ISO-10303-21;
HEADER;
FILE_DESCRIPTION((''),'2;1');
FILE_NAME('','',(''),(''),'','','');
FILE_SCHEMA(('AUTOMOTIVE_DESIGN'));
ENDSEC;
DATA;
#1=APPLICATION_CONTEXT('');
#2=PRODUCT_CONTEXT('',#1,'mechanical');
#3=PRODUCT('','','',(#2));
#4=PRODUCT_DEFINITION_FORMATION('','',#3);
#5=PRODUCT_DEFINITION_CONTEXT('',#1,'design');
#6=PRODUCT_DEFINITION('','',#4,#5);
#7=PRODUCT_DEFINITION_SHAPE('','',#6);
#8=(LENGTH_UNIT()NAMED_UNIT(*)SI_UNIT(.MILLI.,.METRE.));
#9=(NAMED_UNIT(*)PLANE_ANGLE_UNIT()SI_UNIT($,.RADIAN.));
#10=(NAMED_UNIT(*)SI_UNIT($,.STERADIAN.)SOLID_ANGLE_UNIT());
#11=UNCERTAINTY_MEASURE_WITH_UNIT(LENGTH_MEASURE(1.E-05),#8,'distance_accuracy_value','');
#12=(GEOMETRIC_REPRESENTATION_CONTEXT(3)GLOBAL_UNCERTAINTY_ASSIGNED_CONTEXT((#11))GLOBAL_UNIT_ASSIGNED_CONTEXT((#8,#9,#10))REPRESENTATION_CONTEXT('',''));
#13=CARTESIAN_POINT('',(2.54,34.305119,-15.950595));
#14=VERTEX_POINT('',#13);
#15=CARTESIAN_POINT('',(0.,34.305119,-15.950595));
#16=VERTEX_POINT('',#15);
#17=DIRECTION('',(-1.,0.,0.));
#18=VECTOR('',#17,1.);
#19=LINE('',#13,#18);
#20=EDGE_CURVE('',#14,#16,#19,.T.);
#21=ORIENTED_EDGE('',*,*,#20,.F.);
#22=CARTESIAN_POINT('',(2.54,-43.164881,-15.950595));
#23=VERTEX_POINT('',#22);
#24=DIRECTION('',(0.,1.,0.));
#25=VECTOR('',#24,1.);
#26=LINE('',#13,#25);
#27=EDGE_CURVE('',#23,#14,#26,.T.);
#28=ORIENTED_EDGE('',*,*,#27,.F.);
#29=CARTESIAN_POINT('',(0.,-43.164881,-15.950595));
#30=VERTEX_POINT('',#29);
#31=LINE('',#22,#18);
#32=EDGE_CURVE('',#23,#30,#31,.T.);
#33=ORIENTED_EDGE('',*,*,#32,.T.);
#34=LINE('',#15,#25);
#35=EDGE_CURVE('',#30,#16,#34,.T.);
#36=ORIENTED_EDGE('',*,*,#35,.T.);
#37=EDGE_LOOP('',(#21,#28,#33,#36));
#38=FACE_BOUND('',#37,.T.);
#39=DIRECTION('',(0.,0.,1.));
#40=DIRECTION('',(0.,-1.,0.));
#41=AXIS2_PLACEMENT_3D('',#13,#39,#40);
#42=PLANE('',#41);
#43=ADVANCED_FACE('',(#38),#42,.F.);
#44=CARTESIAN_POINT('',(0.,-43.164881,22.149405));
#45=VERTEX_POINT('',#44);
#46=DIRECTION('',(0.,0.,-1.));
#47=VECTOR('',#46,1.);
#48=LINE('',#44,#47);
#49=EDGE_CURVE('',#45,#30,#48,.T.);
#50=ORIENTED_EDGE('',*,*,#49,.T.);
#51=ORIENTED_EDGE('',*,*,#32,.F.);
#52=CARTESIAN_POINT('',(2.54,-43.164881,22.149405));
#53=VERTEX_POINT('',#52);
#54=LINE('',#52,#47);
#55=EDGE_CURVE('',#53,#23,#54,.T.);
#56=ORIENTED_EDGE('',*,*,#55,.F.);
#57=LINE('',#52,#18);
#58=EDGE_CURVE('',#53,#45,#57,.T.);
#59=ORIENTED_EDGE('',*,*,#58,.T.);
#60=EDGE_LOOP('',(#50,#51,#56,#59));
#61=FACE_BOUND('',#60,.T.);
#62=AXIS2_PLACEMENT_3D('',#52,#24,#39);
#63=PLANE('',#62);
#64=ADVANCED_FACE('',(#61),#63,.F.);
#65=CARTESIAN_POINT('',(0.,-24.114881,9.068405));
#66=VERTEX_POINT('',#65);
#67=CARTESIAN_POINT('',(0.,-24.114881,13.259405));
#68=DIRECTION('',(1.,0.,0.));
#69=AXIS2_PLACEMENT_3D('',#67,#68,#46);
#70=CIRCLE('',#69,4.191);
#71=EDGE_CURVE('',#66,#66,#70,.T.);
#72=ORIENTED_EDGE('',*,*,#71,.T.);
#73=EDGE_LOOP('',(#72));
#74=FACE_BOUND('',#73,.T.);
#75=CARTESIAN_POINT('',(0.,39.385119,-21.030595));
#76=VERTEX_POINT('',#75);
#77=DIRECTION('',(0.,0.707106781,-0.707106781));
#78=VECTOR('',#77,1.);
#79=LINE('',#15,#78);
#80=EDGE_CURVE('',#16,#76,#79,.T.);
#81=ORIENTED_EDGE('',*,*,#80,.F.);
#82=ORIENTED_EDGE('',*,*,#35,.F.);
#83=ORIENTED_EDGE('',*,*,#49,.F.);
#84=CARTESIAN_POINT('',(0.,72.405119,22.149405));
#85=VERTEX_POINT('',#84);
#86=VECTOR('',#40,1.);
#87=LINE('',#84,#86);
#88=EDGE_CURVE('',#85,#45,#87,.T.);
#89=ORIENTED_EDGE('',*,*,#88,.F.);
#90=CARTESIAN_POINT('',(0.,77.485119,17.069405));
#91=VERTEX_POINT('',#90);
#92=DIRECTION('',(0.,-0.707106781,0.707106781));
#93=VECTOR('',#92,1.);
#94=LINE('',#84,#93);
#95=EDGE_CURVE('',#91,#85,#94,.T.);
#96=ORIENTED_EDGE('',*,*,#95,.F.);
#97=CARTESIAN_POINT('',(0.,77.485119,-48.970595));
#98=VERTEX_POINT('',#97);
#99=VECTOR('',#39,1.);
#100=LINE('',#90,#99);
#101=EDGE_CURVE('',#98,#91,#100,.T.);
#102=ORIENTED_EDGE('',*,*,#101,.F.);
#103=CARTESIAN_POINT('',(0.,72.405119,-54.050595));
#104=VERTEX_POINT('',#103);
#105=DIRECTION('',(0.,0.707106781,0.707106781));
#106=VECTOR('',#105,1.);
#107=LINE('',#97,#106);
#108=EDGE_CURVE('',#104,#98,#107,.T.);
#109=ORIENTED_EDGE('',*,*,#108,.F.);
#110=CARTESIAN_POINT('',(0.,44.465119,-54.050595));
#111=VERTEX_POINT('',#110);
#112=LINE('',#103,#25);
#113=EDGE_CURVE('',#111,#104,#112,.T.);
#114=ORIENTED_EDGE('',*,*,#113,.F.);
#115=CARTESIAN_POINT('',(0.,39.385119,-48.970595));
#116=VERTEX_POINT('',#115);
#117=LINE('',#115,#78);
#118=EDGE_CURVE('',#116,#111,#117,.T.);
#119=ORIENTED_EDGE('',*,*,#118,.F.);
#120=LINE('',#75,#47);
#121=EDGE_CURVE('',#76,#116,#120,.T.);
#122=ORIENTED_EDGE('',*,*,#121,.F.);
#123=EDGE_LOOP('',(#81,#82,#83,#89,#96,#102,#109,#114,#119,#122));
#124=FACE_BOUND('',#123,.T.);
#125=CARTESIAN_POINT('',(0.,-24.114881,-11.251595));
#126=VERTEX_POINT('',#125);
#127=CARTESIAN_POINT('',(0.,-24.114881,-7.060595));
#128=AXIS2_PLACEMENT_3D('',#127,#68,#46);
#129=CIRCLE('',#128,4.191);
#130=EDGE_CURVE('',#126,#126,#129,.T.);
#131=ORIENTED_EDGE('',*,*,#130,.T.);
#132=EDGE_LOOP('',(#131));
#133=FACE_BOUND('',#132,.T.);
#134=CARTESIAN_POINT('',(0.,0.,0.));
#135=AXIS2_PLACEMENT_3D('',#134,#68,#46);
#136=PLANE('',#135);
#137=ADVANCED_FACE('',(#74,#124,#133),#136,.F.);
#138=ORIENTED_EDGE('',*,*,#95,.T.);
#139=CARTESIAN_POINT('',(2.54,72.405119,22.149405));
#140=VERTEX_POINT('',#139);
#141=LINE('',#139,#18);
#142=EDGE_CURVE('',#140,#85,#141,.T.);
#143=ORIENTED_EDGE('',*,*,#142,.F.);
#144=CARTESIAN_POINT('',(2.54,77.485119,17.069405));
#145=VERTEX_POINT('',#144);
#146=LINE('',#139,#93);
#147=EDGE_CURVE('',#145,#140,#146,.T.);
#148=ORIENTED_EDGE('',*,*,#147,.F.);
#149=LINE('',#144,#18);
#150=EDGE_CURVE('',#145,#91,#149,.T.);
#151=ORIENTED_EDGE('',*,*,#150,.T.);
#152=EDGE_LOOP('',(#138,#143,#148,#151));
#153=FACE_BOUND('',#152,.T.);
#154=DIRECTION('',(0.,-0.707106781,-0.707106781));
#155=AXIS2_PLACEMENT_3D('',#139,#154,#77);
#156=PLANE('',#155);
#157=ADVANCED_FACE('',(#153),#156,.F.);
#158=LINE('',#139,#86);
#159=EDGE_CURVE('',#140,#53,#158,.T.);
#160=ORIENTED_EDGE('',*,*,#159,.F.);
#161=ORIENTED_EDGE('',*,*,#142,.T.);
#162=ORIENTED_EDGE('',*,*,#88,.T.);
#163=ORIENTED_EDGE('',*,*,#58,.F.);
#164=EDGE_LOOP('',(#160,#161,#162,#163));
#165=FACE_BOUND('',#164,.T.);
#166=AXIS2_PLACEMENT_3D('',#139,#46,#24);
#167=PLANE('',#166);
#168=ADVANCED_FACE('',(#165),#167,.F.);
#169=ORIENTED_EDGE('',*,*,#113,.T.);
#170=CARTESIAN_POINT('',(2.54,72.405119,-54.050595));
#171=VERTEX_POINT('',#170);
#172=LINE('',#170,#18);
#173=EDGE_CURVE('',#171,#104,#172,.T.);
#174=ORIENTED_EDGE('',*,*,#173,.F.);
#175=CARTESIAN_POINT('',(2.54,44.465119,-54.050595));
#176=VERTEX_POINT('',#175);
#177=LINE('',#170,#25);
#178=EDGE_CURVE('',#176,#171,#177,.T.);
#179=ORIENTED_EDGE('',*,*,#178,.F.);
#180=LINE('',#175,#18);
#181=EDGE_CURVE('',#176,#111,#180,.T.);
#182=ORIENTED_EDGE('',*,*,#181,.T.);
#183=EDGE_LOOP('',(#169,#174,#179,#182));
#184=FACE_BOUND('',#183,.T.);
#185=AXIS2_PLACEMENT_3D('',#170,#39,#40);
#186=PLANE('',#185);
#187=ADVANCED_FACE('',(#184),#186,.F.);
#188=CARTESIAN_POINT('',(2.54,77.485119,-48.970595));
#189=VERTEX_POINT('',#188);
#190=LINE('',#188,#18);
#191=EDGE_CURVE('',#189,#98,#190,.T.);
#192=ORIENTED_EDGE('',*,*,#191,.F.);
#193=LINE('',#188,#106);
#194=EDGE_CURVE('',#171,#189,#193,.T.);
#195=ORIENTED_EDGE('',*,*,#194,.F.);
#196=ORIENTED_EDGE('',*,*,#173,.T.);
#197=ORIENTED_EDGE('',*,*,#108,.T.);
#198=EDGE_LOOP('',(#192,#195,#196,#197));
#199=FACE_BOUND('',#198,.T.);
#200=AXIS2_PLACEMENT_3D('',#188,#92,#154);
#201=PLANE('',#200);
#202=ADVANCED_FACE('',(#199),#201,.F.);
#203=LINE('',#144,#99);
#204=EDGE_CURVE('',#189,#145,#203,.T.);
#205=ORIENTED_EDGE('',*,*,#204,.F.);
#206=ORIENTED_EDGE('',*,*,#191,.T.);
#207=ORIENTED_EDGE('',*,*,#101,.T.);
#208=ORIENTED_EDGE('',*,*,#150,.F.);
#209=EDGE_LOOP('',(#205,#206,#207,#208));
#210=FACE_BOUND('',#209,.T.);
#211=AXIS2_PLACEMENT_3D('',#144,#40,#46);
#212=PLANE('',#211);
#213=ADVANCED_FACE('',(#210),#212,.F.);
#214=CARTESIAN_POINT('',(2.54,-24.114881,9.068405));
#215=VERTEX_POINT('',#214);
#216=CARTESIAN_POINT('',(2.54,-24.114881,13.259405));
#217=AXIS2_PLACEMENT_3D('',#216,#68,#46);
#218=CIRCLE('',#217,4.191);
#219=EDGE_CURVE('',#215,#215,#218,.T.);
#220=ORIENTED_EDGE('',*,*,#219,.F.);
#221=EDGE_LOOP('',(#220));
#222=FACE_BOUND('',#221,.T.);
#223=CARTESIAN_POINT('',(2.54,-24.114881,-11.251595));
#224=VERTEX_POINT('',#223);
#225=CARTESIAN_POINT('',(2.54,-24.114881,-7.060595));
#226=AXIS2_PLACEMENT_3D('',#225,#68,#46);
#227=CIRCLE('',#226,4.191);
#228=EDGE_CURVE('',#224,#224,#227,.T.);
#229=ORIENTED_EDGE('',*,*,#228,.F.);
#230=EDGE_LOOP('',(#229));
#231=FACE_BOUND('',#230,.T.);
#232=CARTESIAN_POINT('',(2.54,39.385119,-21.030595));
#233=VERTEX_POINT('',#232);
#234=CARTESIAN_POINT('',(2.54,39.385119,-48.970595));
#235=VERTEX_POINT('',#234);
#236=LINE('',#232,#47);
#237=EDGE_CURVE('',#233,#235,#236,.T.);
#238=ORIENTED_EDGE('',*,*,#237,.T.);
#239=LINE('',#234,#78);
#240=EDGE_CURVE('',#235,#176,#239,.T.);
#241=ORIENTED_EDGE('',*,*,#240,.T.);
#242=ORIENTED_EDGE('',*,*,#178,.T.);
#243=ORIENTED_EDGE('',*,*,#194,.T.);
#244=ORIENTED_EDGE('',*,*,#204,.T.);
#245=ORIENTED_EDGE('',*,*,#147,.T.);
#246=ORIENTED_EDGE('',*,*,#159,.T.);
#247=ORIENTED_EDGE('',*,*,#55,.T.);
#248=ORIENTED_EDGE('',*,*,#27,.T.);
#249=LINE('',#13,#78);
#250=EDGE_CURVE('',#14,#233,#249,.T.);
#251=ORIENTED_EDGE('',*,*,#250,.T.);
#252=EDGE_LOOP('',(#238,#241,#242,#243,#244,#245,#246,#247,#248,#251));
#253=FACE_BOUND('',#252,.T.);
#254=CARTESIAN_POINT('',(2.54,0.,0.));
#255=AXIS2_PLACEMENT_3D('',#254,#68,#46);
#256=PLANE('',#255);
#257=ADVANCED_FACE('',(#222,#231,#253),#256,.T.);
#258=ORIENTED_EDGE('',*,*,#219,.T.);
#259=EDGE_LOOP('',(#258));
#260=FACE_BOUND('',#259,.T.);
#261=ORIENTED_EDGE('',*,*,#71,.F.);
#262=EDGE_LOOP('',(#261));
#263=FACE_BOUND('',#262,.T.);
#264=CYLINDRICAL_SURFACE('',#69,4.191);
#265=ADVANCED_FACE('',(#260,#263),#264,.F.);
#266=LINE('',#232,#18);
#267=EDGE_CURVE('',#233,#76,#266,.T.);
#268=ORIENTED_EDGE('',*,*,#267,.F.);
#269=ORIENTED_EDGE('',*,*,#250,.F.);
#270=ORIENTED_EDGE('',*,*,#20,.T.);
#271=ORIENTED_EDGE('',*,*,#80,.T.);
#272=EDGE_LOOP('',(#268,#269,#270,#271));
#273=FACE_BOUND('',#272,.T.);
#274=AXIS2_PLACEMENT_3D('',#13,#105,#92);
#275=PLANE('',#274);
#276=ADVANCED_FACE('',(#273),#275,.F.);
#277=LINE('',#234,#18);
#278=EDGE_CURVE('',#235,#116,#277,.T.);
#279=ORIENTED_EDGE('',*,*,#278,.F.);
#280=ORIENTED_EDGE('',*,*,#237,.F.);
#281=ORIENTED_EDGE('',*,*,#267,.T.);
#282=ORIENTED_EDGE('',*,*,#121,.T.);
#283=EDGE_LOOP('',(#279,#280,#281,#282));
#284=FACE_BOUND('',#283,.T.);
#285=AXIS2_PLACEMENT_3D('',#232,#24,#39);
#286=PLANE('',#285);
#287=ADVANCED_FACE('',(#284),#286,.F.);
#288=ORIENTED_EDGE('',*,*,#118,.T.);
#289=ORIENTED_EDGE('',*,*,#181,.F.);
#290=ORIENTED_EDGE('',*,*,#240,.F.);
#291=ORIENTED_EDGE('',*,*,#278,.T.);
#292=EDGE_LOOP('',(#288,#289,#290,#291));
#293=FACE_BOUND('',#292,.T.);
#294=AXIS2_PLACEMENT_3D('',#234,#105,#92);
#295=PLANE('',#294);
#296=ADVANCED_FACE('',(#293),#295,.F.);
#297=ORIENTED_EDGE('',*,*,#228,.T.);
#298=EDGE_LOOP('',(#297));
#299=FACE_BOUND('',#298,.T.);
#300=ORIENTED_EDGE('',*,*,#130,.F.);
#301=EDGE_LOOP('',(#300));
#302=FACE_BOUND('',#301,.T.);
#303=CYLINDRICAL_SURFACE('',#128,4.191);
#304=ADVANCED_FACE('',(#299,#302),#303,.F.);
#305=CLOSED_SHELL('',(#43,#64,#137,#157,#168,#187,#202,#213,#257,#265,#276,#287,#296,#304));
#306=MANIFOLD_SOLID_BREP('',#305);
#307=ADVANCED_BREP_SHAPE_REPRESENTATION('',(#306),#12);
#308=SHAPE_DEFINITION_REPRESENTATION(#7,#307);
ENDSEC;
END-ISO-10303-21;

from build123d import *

# Parameters (mm, degrees)
BOSS_EXTRUDE1_DEPTH = 2.54
SKETCH2_R           = 4.191
CUT_EXTRUDE1_DEPTH  = 95.508529347


with BuildPart() as part:
    # Sketch1 → Boss-Extrude1 (new body)
    with BuildSketch(Plane(origin=(0, 0, 0), x_dir=(0, 0, -1), z_dir=(1, 0, 0))):
        Polygon((21.030595238, 39.385119048), (48.970595238, 39.385119048), (54.050595238, 44.465119048), (54.050595238, 72.405119048), (48.970595238, 77.485119048), (-17.069404762, 77.485119048), (-22.149404762, 72.405119048), (-22.149404762, -43.164880952), (15.950595238, -43.164880952), (15.950595238, 34.305119048), align=None)
    extrude(amount=BOSS_EXTRUDE1_DEPTH)

    # Sketch2 → Cut-Extrude1 (cut, through all)
    with BuildSketch(Plane(origin=(2.54, 0, 0), x_dir=(0, 0, -1), z_dir=(1, 0, 0))):
        with Locations((-13.259404762, -24.114880952)):
            Circle(SKETCH2_R)
        with Locations((7.060595238, -24.114880952)):
            Circle(SKETCH2_R)
    extrude(amount=-CUT_EXTRUDE1_DEPTH, mode=Mode.SUBTRACT)


solid = part.part
